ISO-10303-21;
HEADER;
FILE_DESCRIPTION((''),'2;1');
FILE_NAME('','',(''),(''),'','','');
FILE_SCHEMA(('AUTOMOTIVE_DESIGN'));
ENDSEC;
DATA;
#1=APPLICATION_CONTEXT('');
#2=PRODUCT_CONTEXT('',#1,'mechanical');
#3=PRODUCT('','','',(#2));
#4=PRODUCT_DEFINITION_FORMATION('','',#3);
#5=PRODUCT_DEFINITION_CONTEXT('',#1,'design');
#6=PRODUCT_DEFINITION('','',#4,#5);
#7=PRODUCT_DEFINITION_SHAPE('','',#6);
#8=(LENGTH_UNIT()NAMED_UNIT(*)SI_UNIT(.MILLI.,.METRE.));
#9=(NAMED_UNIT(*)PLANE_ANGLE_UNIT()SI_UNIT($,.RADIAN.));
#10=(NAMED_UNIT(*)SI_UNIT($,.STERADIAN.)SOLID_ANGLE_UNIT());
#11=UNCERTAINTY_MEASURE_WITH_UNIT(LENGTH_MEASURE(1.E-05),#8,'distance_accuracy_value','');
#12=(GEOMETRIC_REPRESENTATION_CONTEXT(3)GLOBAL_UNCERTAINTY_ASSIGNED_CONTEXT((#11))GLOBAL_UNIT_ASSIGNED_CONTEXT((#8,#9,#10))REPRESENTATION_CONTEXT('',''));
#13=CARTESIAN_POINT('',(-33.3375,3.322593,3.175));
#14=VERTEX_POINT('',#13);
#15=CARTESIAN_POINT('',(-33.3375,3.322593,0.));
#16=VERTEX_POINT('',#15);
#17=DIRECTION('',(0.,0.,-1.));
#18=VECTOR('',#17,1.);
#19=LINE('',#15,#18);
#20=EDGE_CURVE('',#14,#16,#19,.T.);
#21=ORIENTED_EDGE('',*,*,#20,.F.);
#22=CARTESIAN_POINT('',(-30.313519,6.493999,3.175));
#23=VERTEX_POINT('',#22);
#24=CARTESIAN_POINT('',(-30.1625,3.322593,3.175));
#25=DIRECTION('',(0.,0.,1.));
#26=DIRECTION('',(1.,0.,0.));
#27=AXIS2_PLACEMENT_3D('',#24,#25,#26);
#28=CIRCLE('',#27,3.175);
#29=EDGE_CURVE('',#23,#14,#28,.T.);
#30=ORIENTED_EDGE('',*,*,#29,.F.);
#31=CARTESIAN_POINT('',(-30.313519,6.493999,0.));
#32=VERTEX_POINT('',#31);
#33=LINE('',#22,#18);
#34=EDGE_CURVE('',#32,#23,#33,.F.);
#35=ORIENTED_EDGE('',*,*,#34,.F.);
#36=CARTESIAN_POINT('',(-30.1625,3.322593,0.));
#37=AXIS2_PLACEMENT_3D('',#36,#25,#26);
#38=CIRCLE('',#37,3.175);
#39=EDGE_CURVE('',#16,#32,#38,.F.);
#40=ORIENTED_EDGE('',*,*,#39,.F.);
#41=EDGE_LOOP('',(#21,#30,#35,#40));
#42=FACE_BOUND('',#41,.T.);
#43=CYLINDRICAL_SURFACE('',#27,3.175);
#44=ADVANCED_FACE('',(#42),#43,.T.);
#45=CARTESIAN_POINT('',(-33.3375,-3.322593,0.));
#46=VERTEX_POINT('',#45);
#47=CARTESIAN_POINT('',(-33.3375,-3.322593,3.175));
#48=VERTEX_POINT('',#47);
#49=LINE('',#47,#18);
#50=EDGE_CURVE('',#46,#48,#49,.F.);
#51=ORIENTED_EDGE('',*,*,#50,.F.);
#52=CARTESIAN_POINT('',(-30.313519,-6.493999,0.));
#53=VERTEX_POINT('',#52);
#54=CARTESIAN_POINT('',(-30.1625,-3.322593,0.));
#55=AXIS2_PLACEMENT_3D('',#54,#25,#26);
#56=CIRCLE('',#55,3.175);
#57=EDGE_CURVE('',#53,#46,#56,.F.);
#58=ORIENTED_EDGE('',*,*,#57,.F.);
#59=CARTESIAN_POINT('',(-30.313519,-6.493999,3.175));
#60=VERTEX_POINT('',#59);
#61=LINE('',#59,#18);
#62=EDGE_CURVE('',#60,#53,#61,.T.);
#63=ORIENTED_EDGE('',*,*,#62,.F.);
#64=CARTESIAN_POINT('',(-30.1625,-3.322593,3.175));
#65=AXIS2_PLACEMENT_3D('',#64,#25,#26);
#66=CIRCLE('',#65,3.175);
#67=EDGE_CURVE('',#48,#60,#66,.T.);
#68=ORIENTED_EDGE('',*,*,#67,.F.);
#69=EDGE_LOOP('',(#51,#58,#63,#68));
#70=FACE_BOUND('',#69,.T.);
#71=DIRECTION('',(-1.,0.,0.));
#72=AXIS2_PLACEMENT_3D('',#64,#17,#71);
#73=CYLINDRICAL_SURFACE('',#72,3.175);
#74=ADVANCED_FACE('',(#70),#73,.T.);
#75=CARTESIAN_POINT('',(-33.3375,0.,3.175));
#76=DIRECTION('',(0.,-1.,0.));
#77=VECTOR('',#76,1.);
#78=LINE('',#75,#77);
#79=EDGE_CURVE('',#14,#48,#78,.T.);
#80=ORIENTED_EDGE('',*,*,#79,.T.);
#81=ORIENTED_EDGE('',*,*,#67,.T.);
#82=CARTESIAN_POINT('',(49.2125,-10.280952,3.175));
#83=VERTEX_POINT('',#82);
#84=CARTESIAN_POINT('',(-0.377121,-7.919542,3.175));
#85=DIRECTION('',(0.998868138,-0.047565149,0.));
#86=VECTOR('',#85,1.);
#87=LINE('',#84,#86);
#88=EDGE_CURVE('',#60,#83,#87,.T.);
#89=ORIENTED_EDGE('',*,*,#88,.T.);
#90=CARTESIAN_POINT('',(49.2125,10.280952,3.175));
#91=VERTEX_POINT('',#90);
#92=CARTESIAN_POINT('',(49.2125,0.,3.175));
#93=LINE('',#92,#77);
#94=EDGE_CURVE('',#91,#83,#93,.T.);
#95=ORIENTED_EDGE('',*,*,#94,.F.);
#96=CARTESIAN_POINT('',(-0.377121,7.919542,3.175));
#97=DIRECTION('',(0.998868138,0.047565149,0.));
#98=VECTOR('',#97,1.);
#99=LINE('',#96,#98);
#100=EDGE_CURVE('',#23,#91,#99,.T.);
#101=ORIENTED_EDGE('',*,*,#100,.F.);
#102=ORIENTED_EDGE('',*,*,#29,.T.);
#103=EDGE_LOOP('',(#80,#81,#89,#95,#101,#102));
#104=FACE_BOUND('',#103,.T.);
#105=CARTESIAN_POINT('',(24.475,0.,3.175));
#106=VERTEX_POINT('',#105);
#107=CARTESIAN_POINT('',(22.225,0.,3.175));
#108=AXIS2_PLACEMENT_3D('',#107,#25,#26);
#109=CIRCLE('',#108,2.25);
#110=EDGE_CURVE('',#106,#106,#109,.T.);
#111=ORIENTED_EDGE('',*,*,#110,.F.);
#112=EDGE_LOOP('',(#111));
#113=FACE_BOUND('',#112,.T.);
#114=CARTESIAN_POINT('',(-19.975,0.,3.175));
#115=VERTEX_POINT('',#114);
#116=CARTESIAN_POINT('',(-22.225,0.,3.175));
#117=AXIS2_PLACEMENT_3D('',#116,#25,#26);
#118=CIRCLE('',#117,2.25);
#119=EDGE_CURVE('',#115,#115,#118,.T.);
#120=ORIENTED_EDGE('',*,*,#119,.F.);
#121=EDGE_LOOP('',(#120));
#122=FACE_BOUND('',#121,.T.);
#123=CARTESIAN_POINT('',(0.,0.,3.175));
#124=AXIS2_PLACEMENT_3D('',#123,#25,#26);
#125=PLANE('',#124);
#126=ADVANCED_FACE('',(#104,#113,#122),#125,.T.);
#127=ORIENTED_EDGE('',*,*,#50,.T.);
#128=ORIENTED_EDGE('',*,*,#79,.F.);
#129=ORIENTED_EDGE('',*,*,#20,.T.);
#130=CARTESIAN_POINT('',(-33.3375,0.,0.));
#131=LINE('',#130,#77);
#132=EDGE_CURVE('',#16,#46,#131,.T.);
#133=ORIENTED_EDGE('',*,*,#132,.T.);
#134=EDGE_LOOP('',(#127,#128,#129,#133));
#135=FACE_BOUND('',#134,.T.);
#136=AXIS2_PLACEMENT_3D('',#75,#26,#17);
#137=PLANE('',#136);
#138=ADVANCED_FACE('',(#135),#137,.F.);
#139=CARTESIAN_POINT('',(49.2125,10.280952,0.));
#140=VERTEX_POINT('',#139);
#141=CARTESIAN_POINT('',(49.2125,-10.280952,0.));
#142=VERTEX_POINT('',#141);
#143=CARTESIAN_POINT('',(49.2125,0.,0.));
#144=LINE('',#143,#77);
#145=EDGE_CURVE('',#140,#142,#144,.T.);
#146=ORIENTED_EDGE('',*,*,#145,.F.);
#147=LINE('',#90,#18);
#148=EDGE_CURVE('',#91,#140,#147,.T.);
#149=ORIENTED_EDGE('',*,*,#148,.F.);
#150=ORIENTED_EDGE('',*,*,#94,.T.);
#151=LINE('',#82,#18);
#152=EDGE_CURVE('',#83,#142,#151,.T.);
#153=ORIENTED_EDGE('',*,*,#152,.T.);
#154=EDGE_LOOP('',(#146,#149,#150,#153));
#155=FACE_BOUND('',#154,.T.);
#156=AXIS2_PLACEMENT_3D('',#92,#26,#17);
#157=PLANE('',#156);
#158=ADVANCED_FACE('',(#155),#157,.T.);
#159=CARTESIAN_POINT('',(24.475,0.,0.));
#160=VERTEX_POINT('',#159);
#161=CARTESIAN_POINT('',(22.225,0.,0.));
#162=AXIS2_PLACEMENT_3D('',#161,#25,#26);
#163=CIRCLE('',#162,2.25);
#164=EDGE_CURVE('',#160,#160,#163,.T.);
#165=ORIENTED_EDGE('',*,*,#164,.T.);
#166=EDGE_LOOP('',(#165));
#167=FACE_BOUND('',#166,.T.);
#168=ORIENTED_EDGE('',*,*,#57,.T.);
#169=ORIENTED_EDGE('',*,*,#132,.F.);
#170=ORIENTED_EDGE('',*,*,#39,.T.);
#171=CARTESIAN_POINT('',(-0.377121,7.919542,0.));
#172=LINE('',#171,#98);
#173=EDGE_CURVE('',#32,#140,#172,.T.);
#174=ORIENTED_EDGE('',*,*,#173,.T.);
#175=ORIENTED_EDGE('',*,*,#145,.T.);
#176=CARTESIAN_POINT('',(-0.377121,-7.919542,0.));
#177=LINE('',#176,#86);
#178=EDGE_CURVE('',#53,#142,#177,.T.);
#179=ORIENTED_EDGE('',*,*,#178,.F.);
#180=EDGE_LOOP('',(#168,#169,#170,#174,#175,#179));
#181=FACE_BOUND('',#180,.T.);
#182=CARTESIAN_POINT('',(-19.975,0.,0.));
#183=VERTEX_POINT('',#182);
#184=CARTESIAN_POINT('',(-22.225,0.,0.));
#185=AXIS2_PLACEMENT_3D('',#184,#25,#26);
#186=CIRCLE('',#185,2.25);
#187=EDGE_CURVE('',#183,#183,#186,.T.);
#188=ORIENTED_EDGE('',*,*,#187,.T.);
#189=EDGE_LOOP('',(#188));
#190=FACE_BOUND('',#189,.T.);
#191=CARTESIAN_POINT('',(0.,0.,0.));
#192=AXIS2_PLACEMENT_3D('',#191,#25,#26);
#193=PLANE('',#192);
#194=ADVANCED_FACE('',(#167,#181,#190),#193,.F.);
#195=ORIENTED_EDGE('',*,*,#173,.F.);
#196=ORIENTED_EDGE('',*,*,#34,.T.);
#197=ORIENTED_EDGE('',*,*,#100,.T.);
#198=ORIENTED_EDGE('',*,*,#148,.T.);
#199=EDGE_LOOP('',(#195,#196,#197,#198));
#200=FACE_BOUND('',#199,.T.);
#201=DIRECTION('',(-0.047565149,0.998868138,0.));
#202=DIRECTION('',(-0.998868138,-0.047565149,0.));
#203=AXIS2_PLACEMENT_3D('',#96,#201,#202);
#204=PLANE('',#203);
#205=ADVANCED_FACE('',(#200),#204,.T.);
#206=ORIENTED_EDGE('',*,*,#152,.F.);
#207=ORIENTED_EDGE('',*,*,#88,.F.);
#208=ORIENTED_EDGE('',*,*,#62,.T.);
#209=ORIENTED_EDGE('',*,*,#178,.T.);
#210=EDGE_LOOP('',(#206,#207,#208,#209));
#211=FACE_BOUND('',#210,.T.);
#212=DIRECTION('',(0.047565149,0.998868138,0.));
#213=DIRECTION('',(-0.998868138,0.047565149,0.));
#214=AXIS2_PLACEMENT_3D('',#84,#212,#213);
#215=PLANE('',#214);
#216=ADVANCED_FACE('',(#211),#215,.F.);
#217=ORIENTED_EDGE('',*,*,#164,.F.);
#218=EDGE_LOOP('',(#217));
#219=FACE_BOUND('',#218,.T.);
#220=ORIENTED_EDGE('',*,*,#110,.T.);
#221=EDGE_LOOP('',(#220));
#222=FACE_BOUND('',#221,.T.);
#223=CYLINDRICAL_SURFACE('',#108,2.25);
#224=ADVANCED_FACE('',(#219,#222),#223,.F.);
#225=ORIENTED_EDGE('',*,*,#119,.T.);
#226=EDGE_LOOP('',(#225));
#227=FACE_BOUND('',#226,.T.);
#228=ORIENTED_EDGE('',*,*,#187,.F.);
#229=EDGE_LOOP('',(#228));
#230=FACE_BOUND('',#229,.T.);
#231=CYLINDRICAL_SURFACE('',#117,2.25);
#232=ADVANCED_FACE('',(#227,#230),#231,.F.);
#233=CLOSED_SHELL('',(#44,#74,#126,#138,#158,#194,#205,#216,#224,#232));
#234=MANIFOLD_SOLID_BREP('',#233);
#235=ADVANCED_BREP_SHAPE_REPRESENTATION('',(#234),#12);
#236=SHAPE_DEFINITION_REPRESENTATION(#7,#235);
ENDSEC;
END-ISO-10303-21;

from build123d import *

# Parameters (mm, degrees)
BOSS_EXTRUDE1_DEPTH  = 3.175
M4_CLEARANCE_HOLE2_D = 4.5
FILLET1_R            = 3.175


with BuildPart() as part:
    # Sketch1 → Boss-Extrude1 (new body)
    with BuildSketch(Plane.XY):
        Polygon((49.2125, 10.280952381), (-33.3375, 6.35), (-33.3375, -6.35), (49.2125, -10.280952381), align=None)
    extrude(amount=BOSS_EXTRUDE1_DEPTH)

    # M4 Clearance Hole2 (through all)
    with Locations(Plane.XY.offset(3.175)):
        with Locations((-22.225, 0), (22.225, 0)):
            Hole(M4_CLEARANCE_HOLE2_D / 2)

    # Fillet1
    fillet1_edges = [part.edges().sort_by_distance(p)[0] for p in [
        (-33.3375, -6.35, 1.5875),
        (-33.3375, 6.35, 1.5875),
    ]]
    fillet(fillet1_edges, radius=FILLET1_R)


solid = part.part
